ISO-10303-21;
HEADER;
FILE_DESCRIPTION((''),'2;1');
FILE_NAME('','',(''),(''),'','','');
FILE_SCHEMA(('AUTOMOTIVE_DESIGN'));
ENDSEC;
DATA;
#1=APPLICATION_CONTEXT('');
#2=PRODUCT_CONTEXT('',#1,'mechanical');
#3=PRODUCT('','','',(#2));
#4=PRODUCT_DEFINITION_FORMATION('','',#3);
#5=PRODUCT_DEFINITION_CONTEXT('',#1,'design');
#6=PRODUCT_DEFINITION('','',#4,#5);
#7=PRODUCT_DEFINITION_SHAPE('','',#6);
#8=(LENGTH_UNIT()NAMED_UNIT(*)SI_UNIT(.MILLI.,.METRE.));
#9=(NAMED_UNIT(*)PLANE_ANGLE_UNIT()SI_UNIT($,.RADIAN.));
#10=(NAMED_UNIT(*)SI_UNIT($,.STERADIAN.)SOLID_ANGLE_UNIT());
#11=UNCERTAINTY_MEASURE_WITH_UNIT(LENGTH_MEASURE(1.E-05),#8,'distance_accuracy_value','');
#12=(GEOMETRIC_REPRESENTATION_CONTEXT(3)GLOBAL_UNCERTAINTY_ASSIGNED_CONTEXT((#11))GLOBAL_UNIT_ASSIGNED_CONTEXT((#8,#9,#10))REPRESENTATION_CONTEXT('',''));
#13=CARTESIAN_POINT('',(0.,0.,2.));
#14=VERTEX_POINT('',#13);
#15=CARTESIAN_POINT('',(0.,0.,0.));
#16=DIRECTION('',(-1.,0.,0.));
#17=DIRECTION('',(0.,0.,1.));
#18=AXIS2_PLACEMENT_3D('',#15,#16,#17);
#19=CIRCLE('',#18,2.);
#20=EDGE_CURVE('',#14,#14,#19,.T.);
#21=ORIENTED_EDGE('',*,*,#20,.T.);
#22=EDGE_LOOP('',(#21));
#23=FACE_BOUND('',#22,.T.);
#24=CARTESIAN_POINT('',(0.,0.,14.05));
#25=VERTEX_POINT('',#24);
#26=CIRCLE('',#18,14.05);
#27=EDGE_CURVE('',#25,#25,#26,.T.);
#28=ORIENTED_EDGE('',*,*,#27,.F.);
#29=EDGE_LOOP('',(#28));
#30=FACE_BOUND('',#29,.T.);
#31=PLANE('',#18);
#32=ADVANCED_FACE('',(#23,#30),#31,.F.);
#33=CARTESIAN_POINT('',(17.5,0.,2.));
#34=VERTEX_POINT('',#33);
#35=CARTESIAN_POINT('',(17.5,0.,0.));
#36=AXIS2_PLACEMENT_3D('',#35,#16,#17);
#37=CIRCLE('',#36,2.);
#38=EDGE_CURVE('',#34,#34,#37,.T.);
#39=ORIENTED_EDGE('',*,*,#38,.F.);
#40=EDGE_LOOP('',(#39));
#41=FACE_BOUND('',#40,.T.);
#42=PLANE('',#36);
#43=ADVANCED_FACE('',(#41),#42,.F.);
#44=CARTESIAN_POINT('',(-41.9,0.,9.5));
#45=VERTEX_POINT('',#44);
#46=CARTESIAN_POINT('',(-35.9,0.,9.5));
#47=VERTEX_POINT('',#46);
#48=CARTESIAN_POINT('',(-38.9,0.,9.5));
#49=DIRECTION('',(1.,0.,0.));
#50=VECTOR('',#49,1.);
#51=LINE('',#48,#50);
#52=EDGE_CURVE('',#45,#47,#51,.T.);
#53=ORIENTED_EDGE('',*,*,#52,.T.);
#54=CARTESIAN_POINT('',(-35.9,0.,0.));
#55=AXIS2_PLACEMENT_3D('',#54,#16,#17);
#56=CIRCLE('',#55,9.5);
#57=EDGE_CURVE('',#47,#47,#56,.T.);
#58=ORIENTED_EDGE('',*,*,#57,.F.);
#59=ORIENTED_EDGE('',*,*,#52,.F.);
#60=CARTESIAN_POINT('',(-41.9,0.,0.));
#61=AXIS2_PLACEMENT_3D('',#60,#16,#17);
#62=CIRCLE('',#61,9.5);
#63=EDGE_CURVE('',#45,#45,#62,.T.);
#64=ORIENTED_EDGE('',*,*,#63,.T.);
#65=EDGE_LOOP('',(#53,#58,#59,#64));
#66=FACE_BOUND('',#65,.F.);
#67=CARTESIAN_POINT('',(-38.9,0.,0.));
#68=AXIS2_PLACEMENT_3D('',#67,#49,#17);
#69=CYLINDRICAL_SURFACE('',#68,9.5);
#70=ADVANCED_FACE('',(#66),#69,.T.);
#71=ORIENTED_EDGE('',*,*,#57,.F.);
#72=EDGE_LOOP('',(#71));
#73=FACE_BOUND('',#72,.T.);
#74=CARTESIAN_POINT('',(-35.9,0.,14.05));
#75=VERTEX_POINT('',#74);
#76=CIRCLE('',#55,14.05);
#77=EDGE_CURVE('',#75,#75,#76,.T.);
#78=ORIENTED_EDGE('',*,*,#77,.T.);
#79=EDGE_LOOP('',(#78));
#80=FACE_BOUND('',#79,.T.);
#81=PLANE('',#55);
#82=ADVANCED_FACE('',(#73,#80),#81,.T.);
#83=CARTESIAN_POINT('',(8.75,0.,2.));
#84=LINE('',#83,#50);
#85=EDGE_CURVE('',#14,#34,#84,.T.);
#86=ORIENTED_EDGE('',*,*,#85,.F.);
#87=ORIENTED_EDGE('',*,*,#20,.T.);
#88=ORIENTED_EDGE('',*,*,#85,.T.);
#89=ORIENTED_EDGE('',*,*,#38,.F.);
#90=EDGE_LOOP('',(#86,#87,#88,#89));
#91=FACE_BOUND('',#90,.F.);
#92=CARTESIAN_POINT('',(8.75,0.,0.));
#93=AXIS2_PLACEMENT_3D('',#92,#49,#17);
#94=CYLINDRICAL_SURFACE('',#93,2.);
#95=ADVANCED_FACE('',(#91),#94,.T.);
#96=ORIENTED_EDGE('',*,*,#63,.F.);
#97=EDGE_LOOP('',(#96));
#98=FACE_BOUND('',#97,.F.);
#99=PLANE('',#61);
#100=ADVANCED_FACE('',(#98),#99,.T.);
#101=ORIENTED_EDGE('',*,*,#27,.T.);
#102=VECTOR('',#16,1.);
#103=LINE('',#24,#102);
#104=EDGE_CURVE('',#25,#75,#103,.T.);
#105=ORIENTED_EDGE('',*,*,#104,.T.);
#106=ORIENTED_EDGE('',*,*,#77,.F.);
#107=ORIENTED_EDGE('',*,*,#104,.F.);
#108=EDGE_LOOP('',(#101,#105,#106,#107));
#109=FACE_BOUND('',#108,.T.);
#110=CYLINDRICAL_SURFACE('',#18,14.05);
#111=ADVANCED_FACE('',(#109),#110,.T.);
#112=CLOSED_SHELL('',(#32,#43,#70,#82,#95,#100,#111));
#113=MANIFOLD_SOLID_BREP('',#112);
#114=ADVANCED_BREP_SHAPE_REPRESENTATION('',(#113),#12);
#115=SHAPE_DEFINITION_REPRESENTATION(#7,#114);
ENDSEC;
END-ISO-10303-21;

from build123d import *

# Parameters (mm, degrees)
F0_W   = 6
F0_H   = 9.5
F0_W_2 = 17.5
F0_H_2 = 2


with BuildPart() as f1:
    # F0 (on Front) → F1 (revolve)
    with BuildSketch(Plane.XZ):
        Polygon((0, 14.05), (-35.9, 14.05), (-35.9, 9.5), (-35.9, 0), (0, 0), (0, 2), align=None)
        with Locations((-38.9, 4.75)):
            Rectangle(F0_W, F0_H)
        with Locations((8.75, 1)):
            Rectangle(F0_W_2, F0_H_2)
    revolve(axis=Axis((-20.95, 0, 0), (-1, 0, 0)))


solid = f1.part
